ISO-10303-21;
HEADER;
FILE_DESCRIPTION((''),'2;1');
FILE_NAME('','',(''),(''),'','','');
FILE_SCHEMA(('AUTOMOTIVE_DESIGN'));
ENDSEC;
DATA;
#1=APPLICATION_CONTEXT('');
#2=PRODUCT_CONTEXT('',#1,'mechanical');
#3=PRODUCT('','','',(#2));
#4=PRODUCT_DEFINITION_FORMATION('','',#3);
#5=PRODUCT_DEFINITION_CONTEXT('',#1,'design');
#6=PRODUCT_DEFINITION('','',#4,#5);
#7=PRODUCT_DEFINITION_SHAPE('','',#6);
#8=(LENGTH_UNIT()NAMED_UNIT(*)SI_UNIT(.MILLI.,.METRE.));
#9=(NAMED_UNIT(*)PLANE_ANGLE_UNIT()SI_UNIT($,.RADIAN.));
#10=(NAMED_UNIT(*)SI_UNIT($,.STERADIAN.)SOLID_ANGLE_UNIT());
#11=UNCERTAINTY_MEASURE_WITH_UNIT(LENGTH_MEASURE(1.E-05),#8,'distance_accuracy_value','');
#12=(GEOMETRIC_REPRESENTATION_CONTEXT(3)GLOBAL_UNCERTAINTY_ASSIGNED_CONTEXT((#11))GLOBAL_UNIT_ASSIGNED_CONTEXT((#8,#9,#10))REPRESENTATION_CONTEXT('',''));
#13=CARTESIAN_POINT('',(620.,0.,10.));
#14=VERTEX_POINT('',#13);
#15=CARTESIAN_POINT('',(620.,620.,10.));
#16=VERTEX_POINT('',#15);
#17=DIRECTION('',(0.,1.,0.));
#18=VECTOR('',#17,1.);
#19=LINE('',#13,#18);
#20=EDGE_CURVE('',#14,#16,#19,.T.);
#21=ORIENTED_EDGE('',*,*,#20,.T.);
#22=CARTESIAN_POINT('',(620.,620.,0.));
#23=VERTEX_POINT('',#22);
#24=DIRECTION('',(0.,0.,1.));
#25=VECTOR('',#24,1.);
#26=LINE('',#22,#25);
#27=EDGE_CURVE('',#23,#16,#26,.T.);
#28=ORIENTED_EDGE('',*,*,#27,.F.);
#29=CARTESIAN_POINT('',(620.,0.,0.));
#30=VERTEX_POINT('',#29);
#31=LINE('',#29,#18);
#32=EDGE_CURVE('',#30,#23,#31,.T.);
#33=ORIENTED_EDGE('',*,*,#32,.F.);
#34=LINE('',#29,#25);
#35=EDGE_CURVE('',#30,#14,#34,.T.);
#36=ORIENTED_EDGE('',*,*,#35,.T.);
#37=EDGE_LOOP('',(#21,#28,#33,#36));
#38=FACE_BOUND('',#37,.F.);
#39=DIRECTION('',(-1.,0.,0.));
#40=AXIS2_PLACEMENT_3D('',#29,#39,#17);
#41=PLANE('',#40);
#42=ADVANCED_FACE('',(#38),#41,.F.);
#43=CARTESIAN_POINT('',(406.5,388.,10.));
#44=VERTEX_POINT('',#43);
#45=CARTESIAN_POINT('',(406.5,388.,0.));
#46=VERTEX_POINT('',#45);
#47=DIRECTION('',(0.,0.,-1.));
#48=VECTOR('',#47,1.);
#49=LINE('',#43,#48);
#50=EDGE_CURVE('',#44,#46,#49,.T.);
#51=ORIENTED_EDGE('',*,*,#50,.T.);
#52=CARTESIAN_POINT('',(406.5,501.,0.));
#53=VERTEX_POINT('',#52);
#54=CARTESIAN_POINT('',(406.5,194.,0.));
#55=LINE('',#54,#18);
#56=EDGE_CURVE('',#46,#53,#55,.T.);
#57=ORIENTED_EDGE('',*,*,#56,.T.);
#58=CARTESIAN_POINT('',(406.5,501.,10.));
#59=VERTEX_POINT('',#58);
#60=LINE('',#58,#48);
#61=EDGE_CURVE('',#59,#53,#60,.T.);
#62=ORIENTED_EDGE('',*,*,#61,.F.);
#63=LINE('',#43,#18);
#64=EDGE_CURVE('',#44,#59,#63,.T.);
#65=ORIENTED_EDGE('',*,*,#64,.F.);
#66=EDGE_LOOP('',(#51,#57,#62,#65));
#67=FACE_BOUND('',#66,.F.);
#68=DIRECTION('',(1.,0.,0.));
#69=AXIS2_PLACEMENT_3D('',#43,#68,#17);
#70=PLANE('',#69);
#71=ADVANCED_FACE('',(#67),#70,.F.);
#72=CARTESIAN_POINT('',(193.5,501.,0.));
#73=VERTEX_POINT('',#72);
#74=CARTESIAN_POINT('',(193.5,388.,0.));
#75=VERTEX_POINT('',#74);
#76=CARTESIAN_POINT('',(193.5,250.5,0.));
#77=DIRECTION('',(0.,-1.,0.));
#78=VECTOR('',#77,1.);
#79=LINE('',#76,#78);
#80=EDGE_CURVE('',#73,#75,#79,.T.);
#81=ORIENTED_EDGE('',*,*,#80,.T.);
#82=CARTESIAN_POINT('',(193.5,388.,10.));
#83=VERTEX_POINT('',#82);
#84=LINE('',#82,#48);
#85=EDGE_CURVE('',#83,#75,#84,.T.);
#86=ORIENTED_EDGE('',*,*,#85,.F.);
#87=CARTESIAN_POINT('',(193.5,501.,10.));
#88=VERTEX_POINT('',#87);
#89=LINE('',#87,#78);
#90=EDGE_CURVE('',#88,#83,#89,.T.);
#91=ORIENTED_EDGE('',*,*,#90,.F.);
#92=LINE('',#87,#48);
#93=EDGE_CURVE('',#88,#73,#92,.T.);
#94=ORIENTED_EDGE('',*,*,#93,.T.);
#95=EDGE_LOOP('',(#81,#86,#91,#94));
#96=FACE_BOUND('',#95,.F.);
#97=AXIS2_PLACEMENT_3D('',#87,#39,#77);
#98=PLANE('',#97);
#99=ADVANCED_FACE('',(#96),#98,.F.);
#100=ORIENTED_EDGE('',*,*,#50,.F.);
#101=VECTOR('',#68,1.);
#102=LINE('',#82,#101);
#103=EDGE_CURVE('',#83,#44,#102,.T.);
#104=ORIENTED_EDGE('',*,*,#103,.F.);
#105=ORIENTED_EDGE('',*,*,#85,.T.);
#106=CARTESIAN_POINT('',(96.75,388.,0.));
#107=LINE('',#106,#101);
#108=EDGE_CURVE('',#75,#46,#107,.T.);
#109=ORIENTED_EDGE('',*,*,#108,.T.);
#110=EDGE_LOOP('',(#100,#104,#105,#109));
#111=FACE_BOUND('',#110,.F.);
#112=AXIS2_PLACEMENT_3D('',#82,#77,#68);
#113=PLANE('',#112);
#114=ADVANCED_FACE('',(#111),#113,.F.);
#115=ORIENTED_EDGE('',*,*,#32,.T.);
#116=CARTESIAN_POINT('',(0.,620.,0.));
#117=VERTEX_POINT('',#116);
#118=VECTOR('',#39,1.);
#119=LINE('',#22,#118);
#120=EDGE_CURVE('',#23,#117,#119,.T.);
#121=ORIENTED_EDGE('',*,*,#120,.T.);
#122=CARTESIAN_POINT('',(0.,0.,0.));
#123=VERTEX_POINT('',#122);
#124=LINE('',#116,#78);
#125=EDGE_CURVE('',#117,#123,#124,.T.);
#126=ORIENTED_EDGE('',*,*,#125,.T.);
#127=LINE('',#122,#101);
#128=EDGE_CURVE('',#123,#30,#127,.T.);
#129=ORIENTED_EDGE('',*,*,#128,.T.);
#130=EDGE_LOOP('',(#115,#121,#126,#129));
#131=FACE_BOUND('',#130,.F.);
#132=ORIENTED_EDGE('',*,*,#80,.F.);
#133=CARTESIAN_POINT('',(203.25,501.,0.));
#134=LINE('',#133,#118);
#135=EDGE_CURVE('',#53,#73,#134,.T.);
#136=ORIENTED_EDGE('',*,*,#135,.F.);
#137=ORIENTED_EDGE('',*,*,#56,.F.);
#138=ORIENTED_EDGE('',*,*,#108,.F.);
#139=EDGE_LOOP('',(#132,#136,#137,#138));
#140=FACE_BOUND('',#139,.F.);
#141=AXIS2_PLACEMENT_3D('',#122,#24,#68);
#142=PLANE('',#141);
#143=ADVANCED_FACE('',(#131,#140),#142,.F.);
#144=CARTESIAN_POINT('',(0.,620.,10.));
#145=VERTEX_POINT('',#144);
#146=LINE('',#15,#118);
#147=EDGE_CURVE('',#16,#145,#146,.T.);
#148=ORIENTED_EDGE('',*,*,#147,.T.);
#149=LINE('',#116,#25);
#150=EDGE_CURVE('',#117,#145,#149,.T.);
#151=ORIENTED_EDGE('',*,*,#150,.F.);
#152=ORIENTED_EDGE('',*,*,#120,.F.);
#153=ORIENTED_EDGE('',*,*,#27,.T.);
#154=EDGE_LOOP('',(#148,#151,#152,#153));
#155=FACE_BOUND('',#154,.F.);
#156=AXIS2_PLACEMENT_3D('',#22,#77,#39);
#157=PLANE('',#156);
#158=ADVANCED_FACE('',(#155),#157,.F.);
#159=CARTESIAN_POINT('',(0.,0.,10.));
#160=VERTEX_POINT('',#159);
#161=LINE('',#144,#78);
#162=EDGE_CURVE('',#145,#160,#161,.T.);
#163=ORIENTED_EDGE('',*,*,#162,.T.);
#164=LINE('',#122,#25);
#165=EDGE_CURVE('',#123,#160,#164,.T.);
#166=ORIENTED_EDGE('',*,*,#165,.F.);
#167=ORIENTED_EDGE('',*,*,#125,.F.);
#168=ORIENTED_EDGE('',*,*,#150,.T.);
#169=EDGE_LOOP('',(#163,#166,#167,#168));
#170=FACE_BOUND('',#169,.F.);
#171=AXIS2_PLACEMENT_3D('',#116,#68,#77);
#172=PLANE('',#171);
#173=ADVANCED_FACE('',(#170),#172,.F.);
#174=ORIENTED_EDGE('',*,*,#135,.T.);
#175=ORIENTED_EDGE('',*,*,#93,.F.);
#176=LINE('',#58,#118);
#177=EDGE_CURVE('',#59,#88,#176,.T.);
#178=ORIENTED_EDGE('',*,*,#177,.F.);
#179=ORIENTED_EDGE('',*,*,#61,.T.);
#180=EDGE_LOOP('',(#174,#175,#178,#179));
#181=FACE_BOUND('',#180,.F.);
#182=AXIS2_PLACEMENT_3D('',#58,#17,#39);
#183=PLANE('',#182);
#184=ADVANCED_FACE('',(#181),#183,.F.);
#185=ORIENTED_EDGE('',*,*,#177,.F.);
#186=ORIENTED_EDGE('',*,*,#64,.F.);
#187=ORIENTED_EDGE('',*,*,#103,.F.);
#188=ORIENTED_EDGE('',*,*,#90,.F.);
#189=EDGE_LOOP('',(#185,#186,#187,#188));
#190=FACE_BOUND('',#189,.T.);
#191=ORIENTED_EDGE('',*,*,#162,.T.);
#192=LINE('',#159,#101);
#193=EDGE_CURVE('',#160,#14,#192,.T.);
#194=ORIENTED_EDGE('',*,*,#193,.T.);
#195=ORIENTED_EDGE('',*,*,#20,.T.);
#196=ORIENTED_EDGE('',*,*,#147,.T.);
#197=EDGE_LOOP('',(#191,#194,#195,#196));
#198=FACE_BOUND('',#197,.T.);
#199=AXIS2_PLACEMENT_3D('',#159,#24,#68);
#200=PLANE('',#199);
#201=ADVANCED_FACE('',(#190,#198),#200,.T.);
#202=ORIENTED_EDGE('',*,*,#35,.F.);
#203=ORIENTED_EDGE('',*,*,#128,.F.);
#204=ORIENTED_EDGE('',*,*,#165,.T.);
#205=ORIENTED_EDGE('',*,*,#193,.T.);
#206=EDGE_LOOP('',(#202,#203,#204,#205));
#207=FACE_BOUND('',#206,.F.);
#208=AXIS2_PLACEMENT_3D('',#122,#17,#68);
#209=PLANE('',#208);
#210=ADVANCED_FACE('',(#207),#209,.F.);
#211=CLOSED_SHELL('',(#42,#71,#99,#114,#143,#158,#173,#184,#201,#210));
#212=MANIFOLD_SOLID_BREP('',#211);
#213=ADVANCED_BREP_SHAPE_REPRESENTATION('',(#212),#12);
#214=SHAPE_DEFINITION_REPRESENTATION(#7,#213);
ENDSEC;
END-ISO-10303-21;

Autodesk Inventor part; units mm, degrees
ref_plane "YZ Plane" through (0, 0, 0) normal (1, 0, 0) x (0, 1, 0)
ref_plane "XZ Plane" through (0, 0, 0) normal (0, 1, 0) x (-1, 0, 0)
ref_plane "XY Plane" through (0, 0, 0) normal (0, 0, 1) x (1, 0, 0)
sketch "Sketch1" plane through (0, 0, 0) normal (0, 0, 1) x (1, 0, 0)
  line L0 (0, 0) -> (620, 0)
  line L1 (620, 0) -> (620, 620)
  line L2 (620, 620) -> (0, 620)
  line L3 (0, 620) -> (0, 0)
  dimension "d0" = 620
  dimension "d1" = 620
extrude "Extrusion1" add sketch "Sketch1" along normal blind 10
sketch "Sketch2" plane through (0, 0, 10) normal (0, 0, 1) x (1, 0, 0)
  line L0 (193.5, 388) -> (406.5, 388)
  line L1 (406.5, 388) -> (406.5, 501)
  line L2 (406.5, 501) -> (193.5, 501)
  line L3 (193.5, 501) -> (193.5, 388)
  line L4 (0, 620) -> (0, 0) projected
  line L5 (620, 620) -> (0, 620) projected
  dimension "d4" = 213
  dimension "d5" = 113
  dimension "d6" = 193.5
  dimension "d7" = 119
extrude "Extrusion2" cut sketch "Sketch2" against normal through all
properties part number "Top Cover" material "ABS Plastic"
